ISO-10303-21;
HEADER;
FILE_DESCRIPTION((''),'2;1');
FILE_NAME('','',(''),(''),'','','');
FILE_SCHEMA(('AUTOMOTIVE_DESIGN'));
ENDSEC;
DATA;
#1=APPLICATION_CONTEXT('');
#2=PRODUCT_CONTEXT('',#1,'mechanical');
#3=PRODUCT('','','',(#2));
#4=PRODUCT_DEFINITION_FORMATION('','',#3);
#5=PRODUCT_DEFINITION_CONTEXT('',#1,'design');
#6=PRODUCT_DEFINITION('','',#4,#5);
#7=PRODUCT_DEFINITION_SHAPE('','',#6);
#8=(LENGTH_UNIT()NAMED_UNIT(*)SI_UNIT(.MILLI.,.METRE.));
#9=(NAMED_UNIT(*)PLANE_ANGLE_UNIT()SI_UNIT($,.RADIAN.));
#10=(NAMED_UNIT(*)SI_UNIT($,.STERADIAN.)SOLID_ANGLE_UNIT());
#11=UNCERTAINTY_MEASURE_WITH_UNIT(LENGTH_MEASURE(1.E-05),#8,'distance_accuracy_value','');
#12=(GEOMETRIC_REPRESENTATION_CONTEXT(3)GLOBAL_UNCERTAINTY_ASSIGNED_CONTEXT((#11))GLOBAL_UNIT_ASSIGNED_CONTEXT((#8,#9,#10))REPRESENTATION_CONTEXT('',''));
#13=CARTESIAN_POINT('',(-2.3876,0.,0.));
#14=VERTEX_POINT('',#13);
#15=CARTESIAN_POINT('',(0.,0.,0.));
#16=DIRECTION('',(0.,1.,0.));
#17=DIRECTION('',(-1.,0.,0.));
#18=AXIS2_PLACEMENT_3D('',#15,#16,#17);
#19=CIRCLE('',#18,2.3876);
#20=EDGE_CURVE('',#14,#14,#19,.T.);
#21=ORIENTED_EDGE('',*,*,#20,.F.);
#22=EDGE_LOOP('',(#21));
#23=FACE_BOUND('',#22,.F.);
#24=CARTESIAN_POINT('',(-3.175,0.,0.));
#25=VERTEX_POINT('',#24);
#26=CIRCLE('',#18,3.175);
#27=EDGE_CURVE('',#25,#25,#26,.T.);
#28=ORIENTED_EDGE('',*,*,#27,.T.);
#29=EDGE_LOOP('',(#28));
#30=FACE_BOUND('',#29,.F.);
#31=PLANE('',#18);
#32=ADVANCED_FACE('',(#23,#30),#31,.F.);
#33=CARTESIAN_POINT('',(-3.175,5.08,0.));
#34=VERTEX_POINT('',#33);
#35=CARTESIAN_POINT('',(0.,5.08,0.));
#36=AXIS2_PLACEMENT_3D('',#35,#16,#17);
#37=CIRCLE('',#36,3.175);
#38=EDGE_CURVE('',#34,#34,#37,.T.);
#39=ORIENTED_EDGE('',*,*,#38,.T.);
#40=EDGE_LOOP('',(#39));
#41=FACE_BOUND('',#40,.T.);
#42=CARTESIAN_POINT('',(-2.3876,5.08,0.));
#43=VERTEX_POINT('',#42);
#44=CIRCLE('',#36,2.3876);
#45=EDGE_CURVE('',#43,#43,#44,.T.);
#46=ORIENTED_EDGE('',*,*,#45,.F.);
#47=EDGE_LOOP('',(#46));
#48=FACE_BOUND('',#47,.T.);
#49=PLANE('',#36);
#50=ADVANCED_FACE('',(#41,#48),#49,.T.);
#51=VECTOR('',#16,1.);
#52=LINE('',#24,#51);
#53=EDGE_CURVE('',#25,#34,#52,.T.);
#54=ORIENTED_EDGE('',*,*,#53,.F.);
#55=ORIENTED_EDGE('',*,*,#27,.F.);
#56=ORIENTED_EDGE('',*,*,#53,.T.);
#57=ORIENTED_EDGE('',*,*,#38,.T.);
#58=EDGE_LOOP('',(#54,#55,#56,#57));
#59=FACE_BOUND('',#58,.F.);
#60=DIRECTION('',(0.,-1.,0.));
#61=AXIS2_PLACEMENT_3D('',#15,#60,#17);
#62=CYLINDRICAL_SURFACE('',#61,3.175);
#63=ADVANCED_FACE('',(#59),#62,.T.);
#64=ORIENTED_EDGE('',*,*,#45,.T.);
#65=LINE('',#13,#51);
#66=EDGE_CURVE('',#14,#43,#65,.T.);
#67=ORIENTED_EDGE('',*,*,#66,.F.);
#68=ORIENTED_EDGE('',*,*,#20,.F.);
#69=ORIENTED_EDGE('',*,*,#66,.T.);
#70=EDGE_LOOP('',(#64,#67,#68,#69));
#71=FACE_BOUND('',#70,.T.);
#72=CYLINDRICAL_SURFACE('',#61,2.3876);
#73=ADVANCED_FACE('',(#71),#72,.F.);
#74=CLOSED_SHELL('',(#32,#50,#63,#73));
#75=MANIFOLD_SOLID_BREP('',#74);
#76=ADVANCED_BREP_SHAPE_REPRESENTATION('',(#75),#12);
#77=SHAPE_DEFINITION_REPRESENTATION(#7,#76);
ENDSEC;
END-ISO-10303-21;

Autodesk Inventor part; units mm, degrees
ref_plane "YZ Plane" through (0, 0, 0) normal (1, 0, 0) x (0, 1, 0)
ref_plane "XZ Plane" through (0, 0, 0) normal (0, 1, 0) x (-1, 0, 0)
ref_plane "XY Plane" through (0, 0, 0) normal (0, 0, 1) x (1, 0, 0)
sketch "Sketch1" plane through (0, 0, 0) normal (0, 1, 0) x (-1, 0, 0)
  circle A0 centre (0, 0) radius 2.3876
  circle A1 centre (0, 0) radius 3.175
  dimension "d0" = 4.7752
  dimension "d1" = 6.35
extrude "Extrusion1" add sketch "Sketch1" along normal blind 5.08
properties part number "ELEV_009_BOLTCOVER" material "Rubber"
